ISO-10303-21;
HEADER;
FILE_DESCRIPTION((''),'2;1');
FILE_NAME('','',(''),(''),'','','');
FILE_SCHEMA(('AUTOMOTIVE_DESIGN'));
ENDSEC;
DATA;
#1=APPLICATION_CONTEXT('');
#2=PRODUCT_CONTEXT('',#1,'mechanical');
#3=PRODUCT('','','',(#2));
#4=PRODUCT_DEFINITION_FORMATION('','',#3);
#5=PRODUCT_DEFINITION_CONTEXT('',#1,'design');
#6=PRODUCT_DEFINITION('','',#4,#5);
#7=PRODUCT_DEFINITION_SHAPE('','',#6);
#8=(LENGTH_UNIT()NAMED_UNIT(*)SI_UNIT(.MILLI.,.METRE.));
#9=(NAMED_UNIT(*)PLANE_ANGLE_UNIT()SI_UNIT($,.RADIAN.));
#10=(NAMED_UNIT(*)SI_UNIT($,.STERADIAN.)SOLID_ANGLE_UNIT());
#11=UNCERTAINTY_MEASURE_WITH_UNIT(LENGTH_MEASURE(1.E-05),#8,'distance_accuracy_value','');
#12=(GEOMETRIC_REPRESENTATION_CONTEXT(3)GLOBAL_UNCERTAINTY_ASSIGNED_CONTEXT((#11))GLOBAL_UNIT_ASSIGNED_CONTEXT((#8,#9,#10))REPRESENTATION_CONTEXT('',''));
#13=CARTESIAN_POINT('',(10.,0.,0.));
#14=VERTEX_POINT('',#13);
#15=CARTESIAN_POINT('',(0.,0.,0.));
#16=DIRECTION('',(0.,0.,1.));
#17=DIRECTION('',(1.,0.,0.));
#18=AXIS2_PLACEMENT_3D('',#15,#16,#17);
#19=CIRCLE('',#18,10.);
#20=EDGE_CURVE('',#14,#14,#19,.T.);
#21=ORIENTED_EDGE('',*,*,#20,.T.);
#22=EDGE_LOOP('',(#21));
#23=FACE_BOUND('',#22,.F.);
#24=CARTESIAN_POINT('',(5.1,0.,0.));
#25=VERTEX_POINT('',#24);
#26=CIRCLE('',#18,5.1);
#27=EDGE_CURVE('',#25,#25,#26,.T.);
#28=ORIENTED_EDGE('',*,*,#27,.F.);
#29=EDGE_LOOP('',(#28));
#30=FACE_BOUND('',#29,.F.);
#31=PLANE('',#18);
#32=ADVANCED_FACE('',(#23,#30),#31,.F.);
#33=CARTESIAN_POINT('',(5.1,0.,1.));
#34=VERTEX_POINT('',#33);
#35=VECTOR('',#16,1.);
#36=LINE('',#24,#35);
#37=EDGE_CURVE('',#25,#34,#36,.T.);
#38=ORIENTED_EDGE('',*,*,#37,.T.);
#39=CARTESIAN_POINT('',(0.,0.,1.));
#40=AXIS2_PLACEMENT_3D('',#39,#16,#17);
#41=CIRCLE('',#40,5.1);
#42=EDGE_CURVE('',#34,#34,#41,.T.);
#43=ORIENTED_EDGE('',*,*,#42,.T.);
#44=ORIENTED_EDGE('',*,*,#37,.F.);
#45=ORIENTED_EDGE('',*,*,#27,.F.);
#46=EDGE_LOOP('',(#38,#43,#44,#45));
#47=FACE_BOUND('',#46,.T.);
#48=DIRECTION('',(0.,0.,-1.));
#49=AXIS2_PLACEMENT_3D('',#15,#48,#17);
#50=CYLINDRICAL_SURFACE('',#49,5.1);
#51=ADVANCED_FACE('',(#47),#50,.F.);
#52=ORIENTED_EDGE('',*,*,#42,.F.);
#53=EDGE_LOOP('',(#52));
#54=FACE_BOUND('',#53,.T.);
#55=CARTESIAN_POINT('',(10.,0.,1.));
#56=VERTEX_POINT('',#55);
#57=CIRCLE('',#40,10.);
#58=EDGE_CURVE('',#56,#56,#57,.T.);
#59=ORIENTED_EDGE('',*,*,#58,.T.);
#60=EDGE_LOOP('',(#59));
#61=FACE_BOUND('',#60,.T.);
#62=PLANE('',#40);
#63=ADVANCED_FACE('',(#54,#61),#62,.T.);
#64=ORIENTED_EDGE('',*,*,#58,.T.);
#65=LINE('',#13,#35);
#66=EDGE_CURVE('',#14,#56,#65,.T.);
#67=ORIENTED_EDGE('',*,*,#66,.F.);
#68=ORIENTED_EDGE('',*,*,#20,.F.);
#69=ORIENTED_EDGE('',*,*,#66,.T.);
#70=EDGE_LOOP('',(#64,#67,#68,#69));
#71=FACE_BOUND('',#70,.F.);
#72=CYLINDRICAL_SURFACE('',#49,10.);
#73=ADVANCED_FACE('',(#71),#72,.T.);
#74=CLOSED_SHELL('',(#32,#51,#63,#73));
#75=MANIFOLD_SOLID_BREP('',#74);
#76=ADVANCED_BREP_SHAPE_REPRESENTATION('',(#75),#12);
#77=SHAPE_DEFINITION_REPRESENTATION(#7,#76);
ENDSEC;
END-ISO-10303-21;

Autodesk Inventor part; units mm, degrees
ref_plane "YZ Plane" through (0, 0, 0) normal (1, 0, 0) x (0, 1, 0)
ref_plane "XZ Plane" through (0, 0, 0) normal (0, 1, 0) x (-1, 0, 0)
ref_plane "XY Plane" through (0, 0, 0) normal (0, 0, 1) x (1, 0, 0)
sketch "スケッチ1" plane through (0, 0, 0) normal (0, 0, 1) x (1, 0, 0)
  circle A0 centre (0, 0) radius 5.1
  circle A1 centre (0, 0) radius 10
  dimension "d0" = 10.2
  dimension "d1" = 20
extrude "押し出し1" add sketch "スケッチ1" along normal blind 1
properties part number "ワッシャー10.2,20,1t"
